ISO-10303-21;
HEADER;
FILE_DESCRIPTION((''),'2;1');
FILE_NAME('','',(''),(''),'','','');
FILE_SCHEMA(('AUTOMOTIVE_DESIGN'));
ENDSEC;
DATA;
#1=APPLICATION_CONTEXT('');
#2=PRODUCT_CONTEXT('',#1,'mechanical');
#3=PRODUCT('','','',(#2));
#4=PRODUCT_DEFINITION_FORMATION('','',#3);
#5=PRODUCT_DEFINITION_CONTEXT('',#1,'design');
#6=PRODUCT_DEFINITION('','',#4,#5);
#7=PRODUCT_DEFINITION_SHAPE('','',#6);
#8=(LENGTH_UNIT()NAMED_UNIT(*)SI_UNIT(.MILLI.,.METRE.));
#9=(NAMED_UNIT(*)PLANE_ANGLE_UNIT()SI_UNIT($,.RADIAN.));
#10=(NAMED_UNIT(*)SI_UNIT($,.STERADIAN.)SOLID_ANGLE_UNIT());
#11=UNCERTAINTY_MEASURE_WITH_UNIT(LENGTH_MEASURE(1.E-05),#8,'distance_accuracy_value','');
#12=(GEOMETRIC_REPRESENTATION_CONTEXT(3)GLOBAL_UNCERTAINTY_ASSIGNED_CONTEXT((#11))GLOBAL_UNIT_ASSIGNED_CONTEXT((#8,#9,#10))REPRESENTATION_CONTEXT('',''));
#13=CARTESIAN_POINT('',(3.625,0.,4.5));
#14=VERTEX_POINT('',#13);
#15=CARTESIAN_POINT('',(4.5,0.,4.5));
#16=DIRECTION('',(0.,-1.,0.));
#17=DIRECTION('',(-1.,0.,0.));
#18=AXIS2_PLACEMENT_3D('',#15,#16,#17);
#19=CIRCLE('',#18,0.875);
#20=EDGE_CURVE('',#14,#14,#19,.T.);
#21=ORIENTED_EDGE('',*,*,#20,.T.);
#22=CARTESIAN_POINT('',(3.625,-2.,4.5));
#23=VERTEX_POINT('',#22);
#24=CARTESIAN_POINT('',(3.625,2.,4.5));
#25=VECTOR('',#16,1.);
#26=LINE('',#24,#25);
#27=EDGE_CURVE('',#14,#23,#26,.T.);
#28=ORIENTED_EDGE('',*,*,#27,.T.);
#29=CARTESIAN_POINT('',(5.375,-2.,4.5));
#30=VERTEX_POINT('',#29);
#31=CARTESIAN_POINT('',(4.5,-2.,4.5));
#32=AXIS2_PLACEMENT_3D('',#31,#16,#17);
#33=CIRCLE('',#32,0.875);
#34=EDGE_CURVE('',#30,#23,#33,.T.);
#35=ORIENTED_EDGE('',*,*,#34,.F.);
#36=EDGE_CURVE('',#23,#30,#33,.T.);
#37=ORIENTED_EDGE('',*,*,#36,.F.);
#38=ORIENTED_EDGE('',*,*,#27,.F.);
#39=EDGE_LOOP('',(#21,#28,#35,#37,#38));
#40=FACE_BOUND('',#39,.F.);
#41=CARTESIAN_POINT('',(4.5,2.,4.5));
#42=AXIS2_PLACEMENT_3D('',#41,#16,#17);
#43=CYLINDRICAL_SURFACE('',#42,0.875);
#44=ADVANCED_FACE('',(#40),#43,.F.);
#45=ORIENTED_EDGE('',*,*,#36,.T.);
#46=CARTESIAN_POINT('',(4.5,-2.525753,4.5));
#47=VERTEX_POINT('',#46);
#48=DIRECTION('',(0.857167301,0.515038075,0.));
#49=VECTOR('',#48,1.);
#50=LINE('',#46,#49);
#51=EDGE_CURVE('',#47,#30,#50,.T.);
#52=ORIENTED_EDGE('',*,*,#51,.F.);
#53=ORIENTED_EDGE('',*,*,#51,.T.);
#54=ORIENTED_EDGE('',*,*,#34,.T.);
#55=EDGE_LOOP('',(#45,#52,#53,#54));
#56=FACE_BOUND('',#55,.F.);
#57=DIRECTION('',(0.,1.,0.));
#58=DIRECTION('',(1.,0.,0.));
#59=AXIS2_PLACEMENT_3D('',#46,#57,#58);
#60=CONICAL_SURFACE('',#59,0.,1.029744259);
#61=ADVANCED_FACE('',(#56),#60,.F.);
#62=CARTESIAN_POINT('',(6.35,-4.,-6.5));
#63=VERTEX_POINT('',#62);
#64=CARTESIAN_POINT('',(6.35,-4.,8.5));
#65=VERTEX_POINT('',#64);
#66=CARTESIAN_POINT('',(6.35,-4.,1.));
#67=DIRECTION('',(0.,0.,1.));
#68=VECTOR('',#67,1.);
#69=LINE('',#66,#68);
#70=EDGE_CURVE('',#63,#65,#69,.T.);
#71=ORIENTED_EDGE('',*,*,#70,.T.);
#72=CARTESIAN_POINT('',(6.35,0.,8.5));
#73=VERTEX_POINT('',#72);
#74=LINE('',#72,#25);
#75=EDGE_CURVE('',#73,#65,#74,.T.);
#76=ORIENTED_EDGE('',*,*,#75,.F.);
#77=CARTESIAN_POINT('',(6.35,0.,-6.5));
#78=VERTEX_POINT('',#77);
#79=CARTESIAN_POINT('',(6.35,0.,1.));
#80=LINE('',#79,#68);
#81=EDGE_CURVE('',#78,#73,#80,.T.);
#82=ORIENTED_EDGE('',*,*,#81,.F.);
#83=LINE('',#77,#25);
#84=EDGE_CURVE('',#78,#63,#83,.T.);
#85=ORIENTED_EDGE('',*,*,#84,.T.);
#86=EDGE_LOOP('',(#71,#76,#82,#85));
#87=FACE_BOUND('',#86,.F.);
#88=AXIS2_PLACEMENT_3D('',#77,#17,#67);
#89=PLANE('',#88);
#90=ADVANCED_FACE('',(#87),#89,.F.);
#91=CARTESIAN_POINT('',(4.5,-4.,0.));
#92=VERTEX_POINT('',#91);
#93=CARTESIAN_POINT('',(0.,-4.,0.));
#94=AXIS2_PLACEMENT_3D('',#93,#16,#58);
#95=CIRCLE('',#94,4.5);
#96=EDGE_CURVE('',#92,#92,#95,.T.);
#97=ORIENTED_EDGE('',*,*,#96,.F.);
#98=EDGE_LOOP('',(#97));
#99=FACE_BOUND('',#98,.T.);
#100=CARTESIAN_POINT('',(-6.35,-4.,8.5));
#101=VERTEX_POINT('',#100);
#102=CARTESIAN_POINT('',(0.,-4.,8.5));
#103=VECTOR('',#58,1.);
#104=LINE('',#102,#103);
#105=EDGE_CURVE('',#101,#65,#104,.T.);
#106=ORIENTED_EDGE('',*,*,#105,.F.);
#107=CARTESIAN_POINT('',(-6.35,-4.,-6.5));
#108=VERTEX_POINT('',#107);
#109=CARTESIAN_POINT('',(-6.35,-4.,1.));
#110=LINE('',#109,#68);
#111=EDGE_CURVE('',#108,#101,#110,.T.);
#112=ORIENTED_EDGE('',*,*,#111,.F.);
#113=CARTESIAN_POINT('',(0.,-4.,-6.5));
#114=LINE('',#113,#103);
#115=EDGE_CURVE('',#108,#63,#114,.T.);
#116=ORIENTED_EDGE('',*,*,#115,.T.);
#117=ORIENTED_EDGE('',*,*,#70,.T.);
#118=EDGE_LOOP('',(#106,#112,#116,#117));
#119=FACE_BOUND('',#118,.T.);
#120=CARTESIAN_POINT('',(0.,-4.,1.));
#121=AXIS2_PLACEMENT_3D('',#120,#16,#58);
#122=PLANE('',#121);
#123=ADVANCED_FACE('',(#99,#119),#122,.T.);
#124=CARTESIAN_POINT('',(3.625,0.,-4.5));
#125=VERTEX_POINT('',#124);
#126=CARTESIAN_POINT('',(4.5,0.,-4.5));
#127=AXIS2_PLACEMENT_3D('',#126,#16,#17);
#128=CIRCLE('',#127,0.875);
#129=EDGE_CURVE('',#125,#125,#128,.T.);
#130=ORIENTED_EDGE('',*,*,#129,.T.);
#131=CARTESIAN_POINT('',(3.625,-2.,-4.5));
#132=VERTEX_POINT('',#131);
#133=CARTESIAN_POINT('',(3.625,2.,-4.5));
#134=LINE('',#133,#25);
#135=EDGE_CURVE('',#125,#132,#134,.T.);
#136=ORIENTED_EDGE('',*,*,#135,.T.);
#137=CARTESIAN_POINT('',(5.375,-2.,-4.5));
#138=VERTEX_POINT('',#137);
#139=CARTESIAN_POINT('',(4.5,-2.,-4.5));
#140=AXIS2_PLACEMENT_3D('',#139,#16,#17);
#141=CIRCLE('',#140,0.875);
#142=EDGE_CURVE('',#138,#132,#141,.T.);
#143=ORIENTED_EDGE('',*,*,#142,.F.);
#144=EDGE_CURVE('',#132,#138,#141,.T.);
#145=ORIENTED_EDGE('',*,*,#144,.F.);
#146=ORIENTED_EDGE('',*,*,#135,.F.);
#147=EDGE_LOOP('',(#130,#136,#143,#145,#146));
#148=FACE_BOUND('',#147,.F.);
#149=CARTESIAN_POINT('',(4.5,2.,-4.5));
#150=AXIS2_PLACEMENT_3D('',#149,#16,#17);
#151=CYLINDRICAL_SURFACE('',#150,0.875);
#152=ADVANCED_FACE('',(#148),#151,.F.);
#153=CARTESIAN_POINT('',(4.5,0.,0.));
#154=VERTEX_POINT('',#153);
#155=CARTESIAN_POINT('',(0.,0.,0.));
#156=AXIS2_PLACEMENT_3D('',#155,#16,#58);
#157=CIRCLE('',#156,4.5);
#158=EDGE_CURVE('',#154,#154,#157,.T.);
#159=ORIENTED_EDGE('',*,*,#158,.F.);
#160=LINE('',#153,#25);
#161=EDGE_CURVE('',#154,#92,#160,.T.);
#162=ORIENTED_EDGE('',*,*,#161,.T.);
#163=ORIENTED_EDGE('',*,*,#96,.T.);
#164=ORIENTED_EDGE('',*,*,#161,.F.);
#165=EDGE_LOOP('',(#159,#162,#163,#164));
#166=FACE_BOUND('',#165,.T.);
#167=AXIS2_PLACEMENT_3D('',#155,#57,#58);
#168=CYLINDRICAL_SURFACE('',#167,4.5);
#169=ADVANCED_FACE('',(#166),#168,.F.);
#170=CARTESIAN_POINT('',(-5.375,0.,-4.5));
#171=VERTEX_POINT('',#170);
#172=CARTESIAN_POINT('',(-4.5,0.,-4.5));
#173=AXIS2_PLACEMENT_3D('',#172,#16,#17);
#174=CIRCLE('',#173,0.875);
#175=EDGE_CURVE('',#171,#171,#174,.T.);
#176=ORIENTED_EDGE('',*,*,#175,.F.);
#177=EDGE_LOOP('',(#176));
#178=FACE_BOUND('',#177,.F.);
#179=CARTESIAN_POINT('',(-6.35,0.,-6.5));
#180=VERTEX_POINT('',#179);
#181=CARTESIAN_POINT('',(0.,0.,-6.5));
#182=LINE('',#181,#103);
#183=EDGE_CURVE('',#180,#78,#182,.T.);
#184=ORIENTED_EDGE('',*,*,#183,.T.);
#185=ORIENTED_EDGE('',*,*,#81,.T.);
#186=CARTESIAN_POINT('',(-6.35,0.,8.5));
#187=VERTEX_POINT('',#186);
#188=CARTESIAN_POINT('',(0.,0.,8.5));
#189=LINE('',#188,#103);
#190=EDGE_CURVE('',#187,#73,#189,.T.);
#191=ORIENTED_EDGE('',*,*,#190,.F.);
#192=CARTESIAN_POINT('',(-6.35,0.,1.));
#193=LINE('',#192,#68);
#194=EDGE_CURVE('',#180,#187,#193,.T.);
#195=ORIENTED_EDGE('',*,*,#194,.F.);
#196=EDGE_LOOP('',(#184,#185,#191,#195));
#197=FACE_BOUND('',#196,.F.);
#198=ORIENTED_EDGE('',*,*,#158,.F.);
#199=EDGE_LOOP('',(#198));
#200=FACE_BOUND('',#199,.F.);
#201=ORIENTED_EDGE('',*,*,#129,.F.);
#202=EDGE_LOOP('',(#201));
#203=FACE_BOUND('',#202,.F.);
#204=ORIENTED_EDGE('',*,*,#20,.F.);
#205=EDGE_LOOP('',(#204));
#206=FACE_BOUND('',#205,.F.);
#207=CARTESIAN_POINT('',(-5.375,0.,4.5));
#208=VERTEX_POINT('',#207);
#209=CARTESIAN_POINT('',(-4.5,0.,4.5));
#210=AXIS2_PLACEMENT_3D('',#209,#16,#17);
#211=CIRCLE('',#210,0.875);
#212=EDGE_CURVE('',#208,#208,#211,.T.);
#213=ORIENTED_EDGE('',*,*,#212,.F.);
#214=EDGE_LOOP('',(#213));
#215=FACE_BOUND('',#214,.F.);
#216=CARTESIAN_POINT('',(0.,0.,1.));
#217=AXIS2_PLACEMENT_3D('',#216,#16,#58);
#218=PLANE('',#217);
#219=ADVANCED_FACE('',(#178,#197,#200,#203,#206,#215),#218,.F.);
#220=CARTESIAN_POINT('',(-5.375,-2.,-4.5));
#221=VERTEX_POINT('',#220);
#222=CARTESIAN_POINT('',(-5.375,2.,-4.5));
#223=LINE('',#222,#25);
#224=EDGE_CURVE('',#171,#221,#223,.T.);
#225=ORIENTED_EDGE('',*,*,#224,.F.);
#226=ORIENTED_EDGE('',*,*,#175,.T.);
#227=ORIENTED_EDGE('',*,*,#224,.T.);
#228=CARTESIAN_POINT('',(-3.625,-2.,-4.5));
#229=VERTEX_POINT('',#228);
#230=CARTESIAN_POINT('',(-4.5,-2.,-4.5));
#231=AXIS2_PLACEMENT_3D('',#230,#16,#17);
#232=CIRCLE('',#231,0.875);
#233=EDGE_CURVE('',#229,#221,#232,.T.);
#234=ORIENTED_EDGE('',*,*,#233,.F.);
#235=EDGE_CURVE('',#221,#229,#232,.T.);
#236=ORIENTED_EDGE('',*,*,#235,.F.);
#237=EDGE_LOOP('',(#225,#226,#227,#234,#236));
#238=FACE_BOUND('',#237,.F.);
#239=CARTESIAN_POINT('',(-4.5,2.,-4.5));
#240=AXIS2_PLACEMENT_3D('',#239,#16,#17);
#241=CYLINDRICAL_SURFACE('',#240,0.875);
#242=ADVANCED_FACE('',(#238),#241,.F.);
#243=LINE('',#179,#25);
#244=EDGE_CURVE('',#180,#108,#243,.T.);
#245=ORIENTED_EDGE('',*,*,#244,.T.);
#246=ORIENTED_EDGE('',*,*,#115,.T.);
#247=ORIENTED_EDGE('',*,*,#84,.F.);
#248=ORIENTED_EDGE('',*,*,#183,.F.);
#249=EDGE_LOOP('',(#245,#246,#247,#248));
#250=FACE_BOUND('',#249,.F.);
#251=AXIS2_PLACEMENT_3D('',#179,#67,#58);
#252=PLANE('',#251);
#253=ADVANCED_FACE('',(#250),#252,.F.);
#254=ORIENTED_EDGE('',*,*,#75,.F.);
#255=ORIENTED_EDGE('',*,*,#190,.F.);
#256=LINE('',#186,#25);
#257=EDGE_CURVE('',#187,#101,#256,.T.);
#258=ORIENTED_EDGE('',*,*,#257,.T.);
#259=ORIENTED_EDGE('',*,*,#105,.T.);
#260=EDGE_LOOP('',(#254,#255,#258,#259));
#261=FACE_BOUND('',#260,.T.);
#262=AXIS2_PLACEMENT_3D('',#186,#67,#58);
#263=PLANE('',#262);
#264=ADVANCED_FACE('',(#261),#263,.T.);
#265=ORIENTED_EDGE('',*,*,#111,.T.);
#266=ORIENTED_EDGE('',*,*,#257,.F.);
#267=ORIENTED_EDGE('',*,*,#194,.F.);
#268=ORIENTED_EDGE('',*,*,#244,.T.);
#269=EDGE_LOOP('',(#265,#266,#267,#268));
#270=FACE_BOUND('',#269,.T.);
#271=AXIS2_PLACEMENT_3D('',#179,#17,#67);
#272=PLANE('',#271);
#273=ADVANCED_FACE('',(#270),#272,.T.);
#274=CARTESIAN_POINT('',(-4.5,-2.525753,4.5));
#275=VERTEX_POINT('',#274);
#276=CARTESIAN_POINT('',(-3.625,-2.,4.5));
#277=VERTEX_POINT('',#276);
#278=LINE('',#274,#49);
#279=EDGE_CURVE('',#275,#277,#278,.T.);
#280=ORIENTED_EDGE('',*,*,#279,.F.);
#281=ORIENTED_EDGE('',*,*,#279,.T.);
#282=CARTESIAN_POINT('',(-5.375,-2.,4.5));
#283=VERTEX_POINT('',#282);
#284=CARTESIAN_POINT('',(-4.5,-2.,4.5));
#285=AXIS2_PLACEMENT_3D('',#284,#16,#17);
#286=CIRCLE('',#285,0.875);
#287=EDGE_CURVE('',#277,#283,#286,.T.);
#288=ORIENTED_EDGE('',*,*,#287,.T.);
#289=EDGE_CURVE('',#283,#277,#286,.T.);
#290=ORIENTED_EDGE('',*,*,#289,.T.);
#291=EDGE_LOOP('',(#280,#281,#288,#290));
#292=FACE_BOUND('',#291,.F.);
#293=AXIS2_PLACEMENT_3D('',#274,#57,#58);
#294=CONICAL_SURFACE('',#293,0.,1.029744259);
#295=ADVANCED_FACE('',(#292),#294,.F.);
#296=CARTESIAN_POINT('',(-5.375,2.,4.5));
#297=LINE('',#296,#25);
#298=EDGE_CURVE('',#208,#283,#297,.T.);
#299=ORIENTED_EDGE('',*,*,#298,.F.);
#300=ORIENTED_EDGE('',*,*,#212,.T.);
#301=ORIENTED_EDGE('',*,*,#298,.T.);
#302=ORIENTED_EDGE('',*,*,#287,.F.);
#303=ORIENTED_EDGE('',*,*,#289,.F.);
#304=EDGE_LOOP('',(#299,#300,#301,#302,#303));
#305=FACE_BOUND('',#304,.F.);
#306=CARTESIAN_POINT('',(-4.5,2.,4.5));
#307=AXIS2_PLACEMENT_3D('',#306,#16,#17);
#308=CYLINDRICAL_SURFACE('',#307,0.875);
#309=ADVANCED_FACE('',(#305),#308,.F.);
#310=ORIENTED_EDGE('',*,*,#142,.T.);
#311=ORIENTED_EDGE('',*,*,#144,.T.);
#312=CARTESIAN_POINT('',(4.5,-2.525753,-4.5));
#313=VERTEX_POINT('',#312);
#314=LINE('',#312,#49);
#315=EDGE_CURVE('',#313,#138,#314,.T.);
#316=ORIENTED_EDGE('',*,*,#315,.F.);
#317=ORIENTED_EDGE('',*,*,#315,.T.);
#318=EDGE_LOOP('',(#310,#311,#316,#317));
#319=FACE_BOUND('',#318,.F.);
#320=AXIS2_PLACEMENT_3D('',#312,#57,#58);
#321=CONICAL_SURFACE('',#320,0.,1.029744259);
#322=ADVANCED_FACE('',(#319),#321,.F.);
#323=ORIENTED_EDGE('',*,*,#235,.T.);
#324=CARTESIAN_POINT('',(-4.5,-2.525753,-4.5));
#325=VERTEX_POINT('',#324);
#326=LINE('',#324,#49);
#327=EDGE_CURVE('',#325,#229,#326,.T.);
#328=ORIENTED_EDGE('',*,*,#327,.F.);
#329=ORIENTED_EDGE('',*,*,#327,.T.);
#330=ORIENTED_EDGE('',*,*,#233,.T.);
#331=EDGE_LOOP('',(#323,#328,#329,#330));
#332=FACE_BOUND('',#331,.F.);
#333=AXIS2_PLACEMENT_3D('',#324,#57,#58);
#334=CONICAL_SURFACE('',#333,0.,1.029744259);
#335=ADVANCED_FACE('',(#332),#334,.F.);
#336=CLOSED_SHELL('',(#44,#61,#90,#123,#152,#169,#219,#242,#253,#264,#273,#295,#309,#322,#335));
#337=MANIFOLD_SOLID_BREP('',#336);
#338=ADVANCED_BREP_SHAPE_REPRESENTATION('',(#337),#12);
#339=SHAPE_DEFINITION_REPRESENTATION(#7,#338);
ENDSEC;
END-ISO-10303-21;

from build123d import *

# Parameters (mm, degrees)
F0_W     = 12.7
F0_H     = 15
F0_R     = 4.5
F1_DEPTH = 4
F2_D     = 1.75
F2_DEPTH = 2
F2_TIP   = 0.5257530416
F3_D     = 1.75
F3_DEPTH = 2
F3_TIP   = 0.5257530416


with BuildPart() as f1:
    # F0 (on Front) → F1 (new body)
    with BuildSketch(Plane.XZ):
        with Locations((0, 1)):
            Rectangle(F0_W, F0_H)
        Circle(F0_R, mode=Mode.SUBTRACT)
    extrude(amount=F1_DEPTH)

    # F2
    with Locations(Plane(origin=(0, 0, 0), x_dir=(1, 0, 0), z_dir=(0, 1, 0))):
        with Locations((-4.5, -4.5)):
            Hole(F2_D / 2, depth=F2_DEPTH)
            with Locations((0, 0, -(F2_DEPTH + F2_TIP / 2))):  # 118° drill point
                Cone(0, F2_D / 2, F2_TIP, mode=Mode.SUBTRACT)

    # F3
    with Locations(Plane(origin=(0, 0, 0), x_dir=(1, 0, 0), z_dir=(0, 1, 0))):
        with Locations((4.5, -4.5), (4.5, 4.5), (-4.5, 4.5)):
            Hole(F3_D / 2, depth=F3_DEPTH)
            with Locations((0, 0, -(F3_DEPTH + F3_TIP / 2))):  # 118° drill point
                Cone(0, F3_D / 2, F3_TIP, mode=Mode.SUBTRACT)


solid = f1.part
